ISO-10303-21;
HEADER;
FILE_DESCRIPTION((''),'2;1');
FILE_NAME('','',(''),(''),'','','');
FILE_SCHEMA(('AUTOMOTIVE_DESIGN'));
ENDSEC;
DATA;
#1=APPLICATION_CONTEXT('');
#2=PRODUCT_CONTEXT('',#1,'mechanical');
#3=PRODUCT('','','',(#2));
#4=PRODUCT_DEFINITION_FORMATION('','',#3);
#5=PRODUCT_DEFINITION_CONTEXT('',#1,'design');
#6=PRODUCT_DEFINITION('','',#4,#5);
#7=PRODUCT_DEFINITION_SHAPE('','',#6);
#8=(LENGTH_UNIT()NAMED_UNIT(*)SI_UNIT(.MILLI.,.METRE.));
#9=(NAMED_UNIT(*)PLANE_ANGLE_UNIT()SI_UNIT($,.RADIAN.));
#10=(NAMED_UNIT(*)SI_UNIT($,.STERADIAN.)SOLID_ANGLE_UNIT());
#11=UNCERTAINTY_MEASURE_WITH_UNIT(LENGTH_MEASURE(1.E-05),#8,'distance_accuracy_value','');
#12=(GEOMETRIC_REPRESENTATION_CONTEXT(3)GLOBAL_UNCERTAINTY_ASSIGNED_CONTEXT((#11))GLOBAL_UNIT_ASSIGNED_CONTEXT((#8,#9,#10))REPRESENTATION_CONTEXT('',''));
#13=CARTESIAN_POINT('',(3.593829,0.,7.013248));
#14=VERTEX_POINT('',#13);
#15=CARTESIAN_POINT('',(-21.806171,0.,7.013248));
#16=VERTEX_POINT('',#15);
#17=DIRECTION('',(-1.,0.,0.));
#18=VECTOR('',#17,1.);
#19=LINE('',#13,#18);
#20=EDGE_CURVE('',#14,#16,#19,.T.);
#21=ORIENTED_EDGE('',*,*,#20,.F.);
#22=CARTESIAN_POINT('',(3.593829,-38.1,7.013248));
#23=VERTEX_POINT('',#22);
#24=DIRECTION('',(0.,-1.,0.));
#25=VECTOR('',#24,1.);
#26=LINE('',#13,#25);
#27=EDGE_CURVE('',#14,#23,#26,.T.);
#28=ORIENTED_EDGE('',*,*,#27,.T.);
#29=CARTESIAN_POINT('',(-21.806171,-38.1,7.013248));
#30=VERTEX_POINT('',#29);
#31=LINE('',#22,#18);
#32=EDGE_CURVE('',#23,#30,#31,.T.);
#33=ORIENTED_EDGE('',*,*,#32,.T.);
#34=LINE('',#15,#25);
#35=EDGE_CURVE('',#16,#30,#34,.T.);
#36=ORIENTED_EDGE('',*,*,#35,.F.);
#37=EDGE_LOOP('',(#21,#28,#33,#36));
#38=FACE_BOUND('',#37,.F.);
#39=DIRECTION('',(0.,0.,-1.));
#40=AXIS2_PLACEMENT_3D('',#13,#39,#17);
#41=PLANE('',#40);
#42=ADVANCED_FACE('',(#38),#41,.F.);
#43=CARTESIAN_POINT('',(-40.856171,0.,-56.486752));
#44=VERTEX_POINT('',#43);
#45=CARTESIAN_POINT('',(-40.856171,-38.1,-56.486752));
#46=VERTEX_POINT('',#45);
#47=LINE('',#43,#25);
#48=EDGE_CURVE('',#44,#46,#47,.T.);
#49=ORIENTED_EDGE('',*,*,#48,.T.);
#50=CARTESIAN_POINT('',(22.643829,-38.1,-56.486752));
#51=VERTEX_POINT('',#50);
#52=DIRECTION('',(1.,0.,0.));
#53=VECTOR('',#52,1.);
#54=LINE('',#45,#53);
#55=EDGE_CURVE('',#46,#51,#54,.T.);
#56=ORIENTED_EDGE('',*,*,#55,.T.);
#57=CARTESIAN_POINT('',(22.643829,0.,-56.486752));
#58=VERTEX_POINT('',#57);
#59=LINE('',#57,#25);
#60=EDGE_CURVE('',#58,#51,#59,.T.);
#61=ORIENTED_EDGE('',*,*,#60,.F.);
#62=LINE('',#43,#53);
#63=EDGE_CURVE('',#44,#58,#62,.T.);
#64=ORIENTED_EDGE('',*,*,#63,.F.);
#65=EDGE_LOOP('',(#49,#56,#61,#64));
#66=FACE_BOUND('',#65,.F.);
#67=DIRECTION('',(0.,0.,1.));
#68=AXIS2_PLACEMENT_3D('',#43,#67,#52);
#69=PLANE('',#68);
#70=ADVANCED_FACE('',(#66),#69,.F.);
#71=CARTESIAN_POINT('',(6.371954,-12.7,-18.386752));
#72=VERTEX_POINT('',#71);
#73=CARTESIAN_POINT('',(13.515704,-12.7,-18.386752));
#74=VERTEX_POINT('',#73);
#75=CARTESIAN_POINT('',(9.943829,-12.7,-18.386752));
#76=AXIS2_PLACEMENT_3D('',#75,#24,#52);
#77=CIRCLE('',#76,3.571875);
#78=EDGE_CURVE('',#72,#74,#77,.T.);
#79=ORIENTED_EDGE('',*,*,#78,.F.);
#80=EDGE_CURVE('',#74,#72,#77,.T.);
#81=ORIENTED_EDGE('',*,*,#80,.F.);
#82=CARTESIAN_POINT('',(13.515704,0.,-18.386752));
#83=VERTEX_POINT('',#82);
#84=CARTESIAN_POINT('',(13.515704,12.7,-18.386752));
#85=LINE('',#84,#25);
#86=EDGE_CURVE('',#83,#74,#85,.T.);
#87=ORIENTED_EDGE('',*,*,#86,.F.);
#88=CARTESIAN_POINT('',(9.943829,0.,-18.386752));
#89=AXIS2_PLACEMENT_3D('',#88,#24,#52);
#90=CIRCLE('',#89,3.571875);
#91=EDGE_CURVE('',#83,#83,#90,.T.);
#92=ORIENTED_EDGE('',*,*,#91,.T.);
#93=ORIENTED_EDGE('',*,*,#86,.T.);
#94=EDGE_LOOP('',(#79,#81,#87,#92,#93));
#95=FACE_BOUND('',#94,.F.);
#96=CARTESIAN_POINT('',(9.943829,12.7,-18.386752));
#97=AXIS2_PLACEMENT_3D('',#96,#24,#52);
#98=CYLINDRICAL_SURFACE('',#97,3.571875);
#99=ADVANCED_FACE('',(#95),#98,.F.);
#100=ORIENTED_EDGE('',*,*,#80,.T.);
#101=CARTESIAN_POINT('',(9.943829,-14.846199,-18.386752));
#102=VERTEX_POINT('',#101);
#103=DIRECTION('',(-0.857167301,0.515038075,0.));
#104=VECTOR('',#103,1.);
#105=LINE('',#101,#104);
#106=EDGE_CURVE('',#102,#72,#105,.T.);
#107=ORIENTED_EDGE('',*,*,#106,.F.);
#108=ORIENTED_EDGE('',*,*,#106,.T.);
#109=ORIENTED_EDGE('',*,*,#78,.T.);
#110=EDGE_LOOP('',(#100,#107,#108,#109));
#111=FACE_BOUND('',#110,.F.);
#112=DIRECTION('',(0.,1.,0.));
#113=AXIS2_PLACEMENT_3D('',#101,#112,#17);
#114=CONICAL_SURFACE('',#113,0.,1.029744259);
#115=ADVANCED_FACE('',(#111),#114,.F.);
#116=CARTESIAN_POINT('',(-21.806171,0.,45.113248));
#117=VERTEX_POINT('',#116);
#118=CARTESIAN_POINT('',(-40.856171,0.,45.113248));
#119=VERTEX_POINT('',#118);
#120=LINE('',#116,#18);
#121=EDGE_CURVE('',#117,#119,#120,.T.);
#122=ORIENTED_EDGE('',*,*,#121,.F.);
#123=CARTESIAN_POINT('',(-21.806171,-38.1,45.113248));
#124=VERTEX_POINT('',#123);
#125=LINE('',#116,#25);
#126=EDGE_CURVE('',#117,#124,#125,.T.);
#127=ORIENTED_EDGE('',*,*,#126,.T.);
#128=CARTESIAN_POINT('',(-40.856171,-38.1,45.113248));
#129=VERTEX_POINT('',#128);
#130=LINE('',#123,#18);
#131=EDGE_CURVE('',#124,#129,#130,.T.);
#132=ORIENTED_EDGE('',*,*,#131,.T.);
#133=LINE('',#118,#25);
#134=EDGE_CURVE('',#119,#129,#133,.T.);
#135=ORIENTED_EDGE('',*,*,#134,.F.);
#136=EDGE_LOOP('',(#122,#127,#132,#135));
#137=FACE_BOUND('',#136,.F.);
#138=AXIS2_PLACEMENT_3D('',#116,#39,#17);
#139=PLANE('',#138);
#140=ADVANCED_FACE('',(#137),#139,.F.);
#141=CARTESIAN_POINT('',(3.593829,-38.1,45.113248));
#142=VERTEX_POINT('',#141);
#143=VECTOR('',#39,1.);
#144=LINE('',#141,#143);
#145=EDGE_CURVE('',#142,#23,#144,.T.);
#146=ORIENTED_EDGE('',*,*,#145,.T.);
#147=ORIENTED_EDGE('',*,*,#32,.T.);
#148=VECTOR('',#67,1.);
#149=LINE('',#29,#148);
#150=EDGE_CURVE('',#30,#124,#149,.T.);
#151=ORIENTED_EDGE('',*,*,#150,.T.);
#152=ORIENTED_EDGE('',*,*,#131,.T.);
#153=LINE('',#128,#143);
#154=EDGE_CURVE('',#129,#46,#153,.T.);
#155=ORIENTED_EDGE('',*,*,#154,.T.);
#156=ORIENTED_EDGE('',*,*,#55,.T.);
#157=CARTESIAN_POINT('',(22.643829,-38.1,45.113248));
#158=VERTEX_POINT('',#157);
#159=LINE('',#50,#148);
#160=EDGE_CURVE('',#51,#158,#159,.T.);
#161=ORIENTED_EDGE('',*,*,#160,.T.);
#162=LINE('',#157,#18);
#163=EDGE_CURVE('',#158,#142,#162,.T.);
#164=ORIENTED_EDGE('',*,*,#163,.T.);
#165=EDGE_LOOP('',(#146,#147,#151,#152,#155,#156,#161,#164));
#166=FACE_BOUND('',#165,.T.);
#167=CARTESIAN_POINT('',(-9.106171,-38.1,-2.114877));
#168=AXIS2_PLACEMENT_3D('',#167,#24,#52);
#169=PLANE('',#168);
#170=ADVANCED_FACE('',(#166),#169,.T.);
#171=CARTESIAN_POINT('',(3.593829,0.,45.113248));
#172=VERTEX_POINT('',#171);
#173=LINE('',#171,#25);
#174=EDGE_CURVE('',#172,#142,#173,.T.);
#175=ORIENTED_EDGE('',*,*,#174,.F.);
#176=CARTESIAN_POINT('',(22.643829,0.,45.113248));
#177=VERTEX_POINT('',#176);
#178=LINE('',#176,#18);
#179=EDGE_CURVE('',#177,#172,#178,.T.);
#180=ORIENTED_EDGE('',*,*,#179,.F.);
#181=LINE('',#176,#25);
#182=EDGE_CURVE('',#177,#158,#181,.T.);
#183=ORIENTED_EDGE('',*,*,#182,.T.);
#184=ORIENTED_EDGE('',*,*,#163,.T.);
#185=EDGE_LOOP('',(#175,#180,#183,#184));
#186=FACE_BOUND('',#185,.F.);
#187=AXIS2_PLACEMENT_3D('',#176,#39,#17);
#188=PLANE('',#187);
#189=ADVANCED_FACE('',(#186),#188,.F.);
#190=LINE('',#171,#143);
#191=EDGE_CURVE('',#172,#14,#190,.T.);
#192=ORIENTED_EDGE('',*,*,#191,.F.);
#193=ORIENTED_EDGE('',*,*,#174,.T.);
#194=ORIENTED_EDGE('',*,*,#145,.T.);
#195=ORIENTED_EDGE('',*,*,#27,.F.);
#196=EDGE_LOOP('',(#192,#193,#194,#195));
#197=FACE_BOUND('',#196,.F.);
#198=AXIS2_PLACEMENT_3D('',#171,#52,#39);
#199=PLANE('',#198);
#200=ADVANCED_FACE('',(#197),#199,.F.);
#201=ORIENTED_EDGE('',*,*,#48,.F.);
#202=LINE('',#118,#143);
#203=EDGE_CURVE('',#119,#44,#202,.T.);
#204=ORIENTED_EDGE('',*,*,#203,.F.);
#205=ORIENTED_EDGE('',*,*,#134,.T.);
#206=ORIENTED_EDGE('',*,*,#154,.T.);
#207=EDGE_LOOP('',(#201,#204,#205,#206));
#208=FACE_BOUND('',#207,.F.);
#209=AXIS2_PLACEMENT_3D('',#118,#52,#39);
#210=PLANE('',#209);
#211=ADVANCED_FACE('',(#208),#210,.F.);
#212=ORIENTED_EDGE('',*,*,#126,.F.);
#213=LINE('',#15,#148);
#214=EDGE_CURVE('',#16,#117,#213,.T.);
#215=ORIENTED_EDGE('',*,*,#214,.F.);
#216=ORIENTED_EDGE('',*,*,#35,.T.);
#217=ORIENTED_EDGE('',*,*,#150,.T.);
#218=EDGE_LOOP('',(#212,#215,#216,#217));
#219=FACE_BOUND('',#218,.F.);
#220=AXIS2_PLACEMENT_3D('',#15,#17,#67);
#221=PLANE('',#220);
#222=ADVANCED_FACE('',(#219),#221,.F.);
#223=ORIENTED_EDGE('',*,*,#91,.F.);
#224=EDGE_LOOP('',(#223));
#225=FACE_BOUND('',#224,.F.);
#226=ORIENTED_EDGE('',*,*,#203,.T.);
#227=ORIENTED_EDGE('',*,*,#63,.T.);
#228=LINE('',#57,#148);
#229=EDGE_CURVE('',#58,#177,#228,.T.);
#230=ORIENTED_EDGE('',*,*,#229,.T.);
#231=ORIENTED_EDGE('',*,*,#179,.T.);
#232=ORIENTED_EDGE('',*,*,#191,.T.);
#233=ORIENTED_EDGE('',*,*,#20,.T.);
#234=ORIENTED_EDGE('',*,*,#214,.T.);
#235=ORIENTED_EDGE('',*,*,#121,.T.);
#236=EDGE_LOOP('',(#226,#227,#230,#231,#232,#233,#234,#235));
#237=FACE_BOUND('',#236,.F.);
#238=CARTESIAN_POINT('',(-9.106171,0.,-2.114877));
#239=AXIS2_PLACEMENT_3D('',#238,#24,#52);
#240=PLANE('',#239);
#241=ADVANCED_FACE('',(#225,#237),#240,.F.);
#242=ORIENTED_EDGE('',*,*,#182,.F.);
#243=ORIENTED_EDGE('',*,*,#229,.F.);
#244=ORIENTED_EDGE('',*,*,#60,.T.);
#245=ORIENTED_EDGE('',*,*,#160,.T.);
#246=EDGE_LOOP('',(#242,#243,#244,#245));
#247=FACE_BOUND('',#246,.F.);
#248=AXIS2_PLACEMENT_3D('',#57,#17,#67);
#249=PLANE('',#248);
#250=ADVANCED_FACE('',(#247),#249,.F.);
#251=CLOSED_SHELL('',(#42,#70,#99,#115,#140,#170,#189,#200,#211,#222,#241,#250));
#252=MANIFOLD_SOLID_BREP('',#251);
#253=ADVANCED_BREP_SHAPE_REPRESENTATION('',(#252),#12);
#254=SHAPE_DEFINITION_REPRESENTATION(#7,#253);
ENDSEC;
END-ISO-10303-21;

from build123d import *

# Parameters (mm, degrees)
F1_DEPTH = 38.1
F3_D     = 7.14375
F3_DEPTH = 12.7
F3_TIP   = 2.1461990236


with BuildPart() as f1:
    # F0 (on Front) → F1 (new body)
    with BuildSketch(Plane.XZ):
        Polygon((-40.8561713994, 45.1132481158), (-40.8561713994, -56.4867518842), (22.6438286006, -56.4867518842), (22.6438286006, 45.1132481158), (3.5938286006, 45.1132481158), (3.5938286006, 7.0132481158), (-21.8061713994, 7.0132481158), (-21.8061713994, 45.1132481158), align=None)
    extrude(amount=F1_DEPTH)

    # F3
    with Locations(Plane(origin=(0, 0, 0), x_dir=(-1, 0, 0), z_dir=(0, 1, 0))):
        with Locations((-9.9438286006, -18.3867518842)):
            Hole(F3_D / 2, depth=F3_DEPTH)
            with Locations((0, 0, -(F3_DEPTH + F3_TIP / 2))):  # 118° drill point
                Cone(0, F3_D / 2, F3_TIP, mode=Mode.SUBTRACT)


solid = f1.part
